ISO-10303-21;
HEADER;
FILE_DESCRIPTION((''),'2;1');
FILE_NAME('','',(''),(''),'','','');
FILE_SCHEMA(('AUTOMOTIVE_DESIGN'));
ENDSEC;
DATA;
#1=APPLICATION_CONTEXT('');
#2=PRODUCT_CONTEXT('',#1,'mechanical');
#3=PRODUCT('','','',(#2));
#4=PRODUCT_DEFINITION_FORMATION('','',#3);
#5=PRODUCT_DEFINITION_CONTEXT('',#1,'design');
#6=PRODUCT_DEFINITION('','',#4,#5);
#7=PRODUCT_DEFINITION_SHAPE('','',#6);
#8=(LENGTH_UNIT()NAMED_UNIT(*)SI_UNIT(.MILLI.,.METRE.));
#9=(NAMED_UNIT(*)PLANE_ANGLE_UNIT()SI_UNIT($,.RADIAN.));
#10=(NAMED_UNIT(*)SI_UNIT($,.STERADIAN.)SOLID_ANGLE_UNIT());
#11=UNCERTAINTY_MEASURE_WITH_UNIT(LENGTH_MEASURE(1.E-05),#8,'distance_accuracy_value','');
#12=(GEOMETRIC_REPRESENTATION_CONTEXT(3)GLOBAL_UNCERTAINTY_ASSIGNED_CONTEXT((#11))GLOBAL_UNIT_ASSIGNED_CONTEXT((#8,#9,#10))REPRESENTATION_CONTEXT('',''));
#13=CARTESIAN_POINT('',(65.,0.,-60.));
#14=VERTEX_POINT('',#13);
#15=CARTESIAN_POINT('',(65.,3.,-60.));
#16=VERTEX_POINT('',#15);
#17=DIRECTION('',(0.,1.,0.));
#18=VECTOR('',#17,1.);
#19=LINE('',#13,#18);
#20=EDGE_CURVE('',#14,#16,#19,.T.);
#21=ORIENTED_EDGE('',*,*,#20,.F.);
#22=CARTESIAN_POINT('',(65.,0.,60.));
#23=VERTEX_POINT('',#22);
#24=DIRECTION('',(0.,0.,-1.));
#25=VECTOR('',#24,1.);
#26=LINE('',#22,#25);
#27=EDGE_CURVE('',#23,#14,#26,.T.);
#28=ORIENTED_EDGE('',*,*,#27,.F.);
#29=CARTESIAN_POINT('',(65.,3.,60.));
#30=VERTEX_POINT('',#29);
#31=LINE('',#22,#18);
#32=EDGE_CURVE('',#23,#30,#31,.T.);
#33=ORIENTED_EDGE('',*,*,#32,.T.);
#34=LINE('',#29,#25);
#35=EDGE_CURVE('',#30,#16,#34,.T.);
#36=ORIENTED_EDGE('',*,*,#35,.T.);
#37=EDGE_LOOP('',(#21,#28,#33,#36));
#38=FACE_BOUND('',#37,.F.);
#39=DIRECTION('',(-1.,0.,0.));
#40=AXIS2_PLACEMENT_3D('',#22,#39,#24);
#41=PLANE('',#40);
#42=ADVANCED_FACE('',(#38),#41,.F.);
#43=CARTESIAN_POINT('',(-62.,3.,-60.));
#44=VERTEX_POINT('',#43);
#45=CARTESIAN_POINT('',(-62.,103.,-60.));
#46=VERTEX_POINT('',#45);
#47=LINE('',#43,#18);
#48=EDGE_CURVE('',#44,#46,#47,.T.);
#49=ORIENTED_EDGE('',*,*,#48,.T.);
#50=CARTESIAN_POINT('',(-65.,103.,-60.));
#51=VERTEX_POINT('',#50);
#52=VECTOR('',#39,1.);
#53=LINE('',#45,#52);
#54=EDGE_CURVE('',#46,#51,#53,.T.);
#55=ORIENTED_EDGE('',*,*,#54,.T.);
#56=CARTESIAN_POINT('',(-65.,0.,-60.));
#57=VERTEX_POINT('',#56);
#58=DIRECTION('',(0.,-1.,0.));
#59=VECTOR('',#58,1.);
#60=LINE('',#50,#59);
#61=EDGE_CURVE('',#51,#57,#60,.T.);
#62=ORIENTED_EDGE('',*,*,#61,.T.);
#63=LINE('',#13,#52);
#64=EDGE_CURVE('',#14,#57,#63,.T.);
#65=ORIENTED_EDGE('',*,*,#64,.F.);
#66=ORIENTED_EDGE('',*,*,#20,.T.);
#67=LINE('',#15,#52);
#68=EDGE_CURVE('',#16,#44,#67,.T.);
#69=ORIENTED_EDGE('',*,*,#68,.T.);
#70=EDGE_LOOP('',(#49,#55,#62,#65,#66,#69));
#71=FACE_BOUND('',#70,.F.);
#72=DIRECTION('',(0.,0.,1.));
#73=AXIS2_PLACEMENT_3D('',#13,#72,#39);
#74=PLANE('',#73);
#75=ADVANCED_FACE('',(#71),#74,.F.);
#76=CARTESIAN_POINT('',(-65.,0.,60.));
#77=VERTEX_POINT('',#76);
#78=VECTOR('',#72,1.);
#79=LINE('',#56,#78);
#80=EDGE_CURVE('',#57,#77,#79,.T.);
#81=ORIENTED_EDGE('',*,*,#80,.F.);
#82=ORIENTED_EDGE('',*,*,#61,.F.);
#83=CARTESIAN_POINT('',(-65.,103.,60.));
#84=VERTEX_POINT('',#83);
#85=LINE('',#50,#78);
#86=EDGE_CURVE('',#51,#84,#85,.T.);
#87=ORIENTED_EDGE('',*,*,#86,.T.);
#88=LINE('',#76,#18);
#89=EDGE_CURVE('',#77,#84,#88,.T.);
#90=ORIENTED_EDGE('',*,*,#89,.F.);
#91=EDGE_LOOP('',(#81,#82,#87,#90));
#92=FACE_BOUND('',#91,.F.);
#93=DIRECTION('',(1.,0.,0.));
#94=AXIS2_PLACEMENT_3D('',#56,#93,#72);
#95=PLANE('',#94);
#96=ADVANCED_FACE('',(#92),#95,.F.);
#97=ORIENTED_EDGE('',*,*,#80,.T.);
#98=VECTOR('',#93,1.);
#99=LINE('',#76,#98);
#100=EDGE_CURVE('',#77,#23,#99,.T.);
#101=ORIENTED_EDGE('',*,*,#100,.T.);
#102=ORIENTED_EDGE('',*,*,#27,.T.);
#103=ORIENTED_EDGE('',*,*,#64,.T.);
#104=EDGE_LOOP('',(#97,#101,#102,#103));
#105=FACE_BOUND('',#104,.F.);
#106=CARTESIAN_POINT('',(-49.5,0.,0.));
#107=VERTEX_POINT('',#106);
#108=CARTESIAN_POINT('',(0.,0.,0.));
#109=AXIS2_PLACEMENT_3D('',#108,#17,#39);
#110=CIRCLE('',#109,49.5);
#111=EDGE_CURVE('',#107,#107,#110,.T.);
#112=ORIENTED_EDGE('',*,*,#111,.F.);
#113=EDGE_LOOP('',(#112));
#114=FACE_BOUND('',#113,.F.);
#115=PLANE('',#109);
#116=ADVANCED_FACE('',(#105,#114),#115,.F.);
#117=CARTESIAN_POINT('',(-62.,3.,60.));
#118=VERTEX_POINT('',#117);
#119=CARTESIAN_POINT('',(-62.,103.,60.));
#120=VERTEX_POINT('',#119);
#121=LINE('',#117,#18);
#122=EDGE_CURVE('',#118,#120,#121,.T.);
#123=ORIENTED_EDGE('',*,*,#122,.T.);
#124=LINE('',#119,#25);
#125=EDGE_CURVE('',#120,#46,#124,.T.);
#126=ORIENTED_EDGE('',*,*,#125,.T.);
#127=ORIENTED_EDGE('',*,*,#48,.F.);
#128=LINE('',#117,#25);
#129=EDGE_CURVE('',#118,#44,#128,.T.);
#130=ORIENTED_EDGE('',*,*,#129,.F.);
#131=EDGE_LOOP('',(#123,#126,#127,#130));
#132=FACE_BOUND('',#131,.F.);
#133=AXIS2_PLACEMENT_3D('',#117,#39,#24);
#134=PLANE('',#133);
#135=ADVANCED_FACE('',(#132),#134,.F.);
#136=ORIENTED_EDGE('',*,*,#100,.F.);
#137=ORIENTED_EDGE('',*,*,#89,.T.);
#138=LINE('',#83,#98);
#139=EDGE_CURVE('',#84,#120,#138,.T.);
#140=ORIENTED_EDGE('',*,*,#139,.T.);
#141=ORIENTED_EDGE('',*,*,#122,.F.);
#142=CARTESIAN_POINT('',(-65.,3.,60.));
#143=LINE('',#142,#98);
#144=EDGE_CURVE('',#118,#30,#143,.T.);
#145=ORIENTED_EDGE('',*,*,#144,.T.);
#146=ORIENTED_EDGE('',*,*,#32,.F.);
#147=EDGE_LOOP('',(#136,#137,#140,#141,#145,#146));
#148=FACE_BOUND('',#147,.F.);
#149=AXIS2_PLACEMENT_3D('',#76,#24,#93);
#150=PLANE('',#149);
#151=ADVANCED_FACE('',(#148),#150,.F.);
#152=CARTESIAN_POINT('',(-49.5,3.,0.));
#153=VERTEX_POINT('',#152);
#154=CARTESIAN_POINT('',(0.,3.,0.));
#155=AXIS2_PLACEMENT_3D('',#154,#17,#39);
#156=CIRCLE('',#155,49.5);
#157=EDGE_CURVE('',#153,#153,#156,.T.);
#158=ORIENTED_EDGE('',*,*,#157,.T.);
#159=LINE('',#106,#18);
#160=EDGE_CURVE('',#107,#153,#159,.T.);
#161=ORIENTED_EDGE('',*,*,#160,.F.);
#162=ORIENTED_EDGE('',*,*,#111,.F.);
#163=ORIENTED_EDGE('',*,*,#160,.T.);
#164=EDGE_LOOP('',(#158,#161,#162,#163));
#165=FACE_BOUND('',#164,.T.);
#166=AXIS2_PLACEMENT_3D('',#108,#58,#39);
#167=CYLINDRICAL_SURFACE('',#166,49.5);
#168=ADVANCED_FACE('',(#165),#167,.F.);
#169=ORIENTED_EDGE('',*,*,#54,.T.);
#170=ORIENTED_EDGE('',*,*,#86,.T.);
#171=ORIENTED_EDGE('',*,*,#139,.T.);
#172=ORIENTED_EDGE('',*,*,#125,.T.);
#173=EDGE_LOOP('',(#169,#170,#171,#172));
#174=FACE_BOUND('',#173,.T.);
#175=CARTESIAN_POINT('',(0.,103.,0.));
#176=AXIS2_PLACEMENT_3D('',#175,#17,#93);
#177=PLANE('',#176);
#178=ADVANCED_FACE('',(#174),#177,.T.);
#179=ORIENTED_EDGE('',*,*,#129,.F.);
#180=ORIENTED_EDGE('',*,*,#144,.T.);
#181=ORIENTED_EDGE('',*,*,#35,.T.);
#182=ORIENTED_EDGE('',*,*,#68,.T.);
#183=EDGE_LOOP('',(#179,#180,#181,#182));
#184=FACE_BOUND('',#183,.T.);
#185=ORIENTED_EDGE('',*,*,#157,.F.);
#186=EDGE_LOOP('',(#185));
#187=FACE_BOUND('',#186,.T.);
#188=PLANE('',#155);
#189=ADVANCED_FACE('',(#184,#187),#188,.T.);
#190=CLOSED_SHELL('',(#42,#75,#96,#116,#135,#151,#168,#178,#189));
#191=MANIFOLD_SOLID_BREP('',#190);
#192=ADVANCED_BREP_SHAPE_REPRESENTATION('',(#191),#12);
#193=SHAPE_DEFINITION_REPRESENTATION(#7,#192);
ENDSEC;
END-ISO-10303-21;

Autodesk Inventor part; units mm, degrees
ref_plane "YZ Plane" through (0, 0, 0) normal (1, 0, 0) x (0, 1, 0)
ref_plane "XZ Plane" through (0, 0, 0) normal (0, 1, 0) x (-1, 0, 0)
ref_plane "XY Plane" through (0, 0, 0) normal (0, 0, 1) x (1, 0, 0)
sketch "Sketch1" plane through (0, 0, 0) normal (0, 1, 0) x (-1, 0, 0)
  circle A0 centre (0, 0) radius 49.5
  line L0 (65, 60) -> (-65, 60)
  line L1 (-65, 60) -> (-65, -60)
  line L2 (-65, -60) -> (65, -60)
  line L3 (65, -60) -> (65, 60)
  line L4 (65, 60) -> (-65, -60) construction
  line L5 (-65, 60) -> (65, -60) construction
  dimension "d0" = 99
  dimension "d1" = 130
  dimension "d2" = 120
extrude "Extrusion1" add sketch "Sketch1" along normal blind 3
sketch "Sketch2" plane through (0, 3, 0) normal (0, 1, 0) x (1, 0, 0)
  line L0 (-65, -60) -> (-62, -60)
  line L1 (-62, -60) -> (-62, 60)
  line L2 (-62, 60) -> (-65, 60)
  line L3 (-65, 60) -> (-65, -60)
  line L4 (-65, -60) -> (-62, 60) construction
  line L5 (-62, -60) -> (-65, 60) construction
  line L6 (-65, 60) -> (-65, -60) projected
  point P0 (0, 0)
  point P1 (-63.5, 0)
  point P2 (-65, 0)
  dimension "d5" = 3
  dimension "d6" = 120
extrude "Extrusion2" add sketch "Sketch2" along normal blind 100
properties part number "ammonia filter bracket"
